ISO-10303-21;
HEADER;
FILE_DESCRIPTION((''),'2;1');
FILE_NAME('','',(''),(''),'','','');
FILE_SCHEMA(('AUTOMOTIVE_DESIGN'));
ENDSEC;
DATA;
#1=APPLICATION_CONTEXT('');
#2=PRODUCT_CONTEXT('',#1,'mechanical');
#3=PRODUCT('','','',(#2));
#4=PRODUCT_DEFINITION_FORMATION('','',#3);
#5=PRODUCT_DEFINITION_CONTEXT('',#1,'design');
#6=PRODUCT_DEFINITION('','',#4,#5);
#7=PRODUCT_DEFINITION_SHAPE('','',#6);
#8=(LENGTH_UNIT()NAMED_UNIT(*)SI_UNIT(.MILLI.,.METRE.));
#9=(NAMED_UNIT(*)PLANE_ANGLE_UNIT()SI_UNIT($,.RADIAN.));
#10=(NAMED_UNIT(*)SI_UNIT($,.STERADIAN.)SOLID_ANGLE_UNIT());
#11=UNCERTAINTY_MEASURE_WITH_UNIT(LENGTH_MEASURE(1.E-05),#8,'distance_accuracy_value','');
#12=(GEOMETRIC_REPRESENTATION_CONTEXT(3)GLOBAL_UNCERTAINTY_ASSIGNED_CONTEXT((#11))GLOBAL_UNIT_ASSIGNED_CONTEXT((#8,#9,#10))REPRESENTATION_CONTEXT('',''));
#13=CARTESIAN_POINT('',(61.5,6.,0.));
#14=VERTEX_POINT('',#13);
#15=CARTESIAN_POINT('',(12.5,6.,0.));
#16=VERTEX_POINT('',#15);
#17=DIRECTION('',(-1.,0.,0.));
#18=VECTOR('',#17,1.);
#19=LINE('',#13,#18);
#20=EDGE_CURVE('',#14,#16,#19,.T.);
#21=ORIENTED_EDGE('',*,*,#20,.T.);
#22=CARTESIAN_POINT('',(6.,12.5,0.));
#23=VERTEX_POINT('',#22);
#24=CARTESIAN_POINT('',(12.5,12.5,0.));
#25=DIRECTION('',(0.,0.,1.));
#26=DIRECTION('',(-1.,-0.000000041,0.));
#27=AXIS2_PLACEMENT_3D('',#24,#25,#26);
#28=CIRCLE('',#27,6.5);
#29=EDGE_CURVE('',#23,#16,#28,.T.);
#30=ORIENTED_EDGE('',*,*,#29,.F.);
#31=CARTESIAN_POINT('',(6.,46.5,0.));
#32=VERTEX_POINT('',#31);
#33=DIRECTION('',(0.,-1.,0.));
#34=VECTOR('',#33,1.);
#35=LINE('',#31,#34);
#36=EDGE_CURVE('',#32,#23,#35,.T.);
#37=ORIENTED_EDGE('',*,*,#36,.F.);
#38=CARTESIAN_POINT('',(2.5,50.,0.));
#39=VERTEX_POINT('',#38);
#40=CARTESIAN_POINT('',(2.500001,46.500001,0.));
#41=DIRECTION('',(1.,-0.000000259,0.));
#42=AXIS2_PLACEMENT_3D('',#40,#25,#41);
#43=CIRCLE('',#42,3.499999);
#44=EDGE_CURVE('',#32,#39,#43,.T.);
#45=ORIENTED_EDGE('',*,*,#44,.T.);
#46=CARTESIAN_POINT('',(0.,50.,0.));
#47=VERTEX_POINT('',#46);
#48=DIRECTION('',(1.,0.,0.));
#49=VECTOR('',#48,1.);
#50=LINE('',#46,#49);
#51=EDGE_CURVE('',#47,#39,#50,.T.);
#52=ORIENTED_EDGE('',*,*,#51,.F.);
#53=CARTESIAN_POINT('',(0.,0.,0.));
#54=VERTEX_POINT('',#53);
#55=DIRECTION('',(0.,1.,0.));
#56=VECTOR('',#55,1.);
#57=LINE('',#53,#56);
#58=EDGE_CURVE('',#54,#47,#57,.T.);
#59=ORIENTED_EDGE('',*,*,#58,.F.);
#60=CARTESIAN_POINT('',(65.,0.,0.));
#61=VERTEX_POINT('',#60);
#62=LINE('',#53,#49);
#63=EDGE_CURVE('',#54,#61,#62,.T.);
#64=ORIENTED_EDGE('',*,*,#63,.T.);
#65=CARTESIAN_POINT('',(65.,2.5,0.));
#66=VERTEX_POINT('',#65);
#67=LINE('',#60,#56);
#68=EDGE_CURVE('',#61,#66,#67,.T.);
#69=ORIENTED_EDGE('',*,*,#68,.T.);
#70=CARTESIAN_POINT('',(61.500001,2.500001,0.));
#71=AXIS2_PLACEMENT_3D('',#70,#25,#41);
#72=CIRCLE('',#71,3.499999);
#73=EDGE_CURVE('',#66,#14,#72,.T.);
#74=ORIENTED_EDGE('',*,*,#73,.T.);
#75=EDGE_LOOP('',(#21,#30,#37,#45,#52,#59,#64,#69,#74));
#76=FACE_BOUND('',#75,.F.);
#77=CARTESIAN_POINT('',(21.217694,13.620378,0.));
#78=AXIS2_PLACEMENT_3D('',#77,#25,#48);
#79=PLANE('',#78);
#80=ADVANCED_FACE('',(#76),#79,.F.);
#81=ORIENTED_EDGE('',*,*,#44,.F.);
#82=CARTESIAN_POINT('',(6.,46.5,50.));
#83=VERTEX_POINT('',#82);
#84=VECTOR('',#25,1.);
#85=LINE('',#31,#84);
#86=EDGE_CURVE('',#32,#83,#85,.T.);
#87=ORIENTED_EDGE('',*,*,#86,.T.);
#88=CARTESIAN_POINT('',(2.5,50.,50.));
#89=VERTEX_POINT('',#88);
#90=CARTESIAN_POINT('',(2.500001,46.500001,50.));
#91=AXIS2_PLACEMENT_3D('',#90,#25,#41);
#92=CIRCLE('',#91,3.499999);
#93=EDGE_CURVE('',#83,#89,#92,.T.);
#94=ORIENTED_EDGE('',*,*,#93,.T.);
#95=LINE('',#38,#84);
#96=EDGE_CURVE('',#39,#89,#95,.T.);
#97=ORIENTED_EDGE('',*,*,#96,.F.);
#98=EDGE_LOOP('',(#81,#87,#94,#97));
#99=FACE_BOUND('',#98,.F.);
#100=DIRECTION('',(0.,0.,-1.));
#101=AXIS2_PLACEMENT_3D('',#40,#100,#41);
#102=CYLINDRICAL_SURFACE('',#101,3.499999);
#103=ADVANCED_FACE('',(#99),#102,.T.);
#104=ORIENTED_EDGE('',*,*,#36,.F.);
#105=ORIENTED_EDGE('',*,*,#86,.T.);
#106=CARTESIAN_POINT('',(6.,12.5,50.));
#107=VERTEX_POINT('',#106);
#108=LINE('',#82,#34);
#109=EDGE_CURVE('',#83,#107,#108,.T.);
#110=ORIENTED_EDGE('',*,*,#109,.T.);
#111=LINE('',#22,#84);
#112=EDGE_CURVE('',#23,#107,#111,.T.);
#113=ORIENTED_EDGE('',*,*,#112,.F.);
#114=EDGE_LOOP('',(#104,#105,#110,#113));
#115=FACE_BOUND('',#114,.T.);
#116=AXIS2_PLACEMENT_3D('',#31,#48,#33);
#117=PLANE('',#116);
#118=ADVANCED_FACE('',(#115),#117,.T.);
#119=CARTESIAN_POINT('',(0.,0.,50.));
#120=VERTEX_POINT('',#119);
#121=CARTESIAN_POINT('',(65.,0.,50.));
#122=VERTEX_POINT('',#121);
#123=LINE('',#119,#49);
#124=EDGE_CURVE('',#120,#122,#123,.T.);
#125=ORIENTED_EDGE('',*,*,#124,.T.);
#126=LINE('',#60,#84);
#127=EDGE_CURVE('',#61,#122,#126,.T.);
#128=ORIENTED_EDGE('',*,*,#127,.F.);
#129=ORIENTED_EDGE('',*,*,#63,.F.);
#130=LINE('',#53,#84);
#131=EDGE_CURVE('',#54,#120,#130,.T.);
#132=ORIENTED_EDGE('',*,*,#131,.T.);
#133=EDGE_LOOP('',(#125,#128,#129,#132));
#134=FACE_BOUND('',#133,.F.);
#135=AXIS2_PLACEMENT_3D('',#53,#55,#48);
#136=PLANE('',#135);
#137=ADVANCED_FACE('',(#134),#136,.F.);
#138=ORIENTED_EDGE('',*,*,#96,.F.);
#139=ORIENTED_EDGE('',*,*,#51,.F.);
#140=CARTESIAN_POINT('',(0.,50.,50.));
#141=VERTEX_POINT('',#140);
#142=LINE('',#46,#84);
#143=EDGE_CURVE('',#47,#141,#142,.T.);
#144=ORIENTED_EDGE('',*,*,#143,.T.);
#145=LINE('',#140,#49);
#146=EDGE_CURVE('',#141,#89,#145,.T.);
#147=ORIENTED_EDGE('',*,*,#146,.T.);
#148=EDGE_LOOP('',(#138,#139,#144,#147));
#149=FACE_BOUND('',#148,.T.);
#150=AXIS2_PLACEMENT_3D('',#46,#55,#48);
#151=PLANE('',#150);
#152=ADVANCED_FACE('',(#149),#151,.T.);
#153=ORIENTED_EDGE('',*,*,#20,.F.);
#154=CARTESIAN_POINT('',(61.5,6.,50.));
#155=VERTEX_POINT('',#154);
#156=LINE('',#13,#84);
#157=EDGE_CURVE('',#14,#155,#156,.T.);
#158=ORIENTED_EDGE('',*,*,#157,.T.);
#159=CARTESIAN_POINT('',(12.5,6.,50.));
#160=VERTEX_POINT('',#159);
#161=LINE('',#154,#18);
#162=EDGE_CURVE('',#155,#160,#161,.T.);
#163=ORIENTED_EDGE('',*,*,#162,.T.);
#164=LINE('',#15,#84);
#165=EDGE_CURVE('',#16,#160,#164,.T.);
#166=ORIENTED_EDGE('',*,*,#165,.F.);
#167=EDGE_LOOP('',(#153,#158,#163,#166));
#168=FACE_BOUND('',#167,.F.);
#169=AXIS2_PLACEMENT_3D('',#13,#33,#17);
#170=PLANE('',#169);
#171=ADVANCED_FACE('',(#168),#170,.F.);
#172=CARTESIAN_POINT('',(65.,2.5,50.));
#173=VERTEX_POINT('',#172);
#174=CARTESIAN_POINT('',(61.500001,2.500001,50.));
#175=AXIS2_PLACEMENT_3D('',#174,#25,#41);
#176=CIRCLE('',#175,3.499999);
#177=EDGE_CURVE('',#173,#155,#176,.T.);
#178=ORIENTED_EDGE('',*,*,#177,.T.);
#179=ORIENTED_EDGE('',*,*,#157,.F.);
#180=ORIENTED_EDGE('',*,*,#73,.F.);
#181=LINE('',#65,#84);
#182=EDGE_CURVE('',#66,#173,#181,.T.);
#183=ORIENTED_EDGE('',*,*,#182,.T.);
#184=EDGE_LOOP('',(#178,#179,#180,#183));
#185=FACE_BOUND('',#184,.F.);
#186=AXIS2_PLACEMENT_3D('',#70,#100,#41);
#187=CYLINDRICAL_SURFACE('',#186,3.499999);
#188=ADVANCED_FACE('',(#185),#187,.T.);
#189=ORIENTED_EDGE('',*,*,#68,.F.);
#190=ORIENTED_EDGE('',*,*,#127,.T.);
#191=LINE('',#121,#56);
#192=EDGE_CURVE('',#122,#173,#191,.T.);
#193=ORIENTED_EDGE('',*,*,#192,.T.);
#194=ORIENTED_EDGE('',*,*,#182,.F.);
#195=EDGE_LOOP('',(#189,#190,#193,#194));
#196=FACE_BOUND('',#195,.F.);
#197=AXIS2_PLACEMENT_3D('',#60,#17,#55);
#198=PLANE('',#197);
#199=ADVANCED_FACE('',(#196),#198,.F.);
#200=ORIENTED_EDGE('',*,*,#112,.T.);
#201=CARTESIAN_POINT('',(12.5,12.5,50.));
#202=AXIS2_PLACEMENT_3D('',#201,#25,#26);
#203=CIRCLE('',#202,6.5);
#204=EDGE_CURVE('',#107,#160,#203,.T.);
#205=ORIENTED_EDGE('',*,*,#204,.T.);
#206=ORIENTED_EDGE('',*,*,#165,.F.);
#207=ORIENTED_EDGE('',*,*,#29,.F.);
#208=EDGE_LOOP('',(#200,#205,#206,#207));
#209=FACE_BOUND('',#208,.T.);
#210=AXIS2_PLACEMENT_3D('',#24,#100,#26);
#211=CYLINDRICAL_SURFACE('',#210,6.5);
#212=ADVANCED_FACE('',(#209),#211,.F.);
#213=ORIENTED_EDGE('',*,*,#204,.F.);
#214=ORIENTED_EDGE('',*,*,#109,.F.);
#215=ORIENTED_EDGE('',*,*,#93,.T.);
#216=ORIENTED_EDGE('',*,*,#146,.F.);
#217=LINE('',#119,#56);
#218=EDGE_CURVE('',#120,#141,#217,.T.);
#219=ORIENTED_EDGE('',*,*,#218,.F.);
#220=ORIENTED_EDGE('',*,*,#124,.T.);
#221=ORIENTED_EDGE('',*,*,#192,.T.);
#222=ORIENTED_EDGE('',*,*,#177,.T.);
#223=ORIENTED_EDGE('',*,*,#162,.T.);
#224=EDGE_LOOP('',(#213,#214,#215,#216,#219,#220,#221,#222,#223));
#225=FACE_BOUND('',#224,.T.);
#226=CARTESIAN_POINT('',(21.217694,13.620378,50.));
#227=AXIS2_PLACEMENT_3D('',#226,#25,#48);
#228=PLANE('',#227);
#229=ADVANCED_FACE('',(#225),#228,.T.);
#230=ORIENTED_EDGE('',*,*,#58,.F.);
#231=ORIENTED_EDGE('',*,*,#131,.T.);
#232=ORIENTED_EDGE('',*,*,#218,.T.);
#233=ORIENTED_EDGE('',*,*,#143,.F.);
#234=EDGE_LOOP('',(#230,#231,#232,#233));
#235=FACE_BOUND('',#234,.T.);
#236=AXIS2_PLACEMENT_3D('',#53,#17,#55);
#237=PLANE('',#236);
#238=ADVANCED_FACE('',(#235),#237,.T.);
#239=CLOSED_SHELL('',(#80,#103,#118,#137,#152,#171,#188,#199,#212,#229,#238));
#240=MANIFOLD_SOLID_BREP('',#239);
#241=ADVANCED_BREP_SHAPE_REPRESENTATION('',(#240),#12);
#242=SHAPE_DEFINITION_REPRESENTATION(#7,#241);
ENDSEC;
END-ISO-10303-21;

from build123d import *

# Parameters (mm, degrees)
EXTRUDE_DEPTH = 50


with BuildPart() as part:
    # Sketch → Extrude (new body)
    with BuildSketch(Plane.XY):
        with BuildLine():
            Line((0, 0), (65, 0))
            Line((65, 0), (65, 2.5))
            ThreePointArc((65, 2.5), (63.974874, 4.974874), (61.5, 6))
            Line((61.5, 6), (12.5, 6))
            ThreePointArc((6, 12.5), (7.903806, 7.903806), (12.5, 6))
            Line((6, 46.5), (6, 12.5))
            ThreePointArc((6, 46.5), (4.974874, 48.974874), (2.5, 50))
            Line((0, 50), (2.5, 50))
            Line((0, 0), (0, 50))
        make_face()
    extrude(amount=EXTRUDE_DEPTH)


solid = part.part
